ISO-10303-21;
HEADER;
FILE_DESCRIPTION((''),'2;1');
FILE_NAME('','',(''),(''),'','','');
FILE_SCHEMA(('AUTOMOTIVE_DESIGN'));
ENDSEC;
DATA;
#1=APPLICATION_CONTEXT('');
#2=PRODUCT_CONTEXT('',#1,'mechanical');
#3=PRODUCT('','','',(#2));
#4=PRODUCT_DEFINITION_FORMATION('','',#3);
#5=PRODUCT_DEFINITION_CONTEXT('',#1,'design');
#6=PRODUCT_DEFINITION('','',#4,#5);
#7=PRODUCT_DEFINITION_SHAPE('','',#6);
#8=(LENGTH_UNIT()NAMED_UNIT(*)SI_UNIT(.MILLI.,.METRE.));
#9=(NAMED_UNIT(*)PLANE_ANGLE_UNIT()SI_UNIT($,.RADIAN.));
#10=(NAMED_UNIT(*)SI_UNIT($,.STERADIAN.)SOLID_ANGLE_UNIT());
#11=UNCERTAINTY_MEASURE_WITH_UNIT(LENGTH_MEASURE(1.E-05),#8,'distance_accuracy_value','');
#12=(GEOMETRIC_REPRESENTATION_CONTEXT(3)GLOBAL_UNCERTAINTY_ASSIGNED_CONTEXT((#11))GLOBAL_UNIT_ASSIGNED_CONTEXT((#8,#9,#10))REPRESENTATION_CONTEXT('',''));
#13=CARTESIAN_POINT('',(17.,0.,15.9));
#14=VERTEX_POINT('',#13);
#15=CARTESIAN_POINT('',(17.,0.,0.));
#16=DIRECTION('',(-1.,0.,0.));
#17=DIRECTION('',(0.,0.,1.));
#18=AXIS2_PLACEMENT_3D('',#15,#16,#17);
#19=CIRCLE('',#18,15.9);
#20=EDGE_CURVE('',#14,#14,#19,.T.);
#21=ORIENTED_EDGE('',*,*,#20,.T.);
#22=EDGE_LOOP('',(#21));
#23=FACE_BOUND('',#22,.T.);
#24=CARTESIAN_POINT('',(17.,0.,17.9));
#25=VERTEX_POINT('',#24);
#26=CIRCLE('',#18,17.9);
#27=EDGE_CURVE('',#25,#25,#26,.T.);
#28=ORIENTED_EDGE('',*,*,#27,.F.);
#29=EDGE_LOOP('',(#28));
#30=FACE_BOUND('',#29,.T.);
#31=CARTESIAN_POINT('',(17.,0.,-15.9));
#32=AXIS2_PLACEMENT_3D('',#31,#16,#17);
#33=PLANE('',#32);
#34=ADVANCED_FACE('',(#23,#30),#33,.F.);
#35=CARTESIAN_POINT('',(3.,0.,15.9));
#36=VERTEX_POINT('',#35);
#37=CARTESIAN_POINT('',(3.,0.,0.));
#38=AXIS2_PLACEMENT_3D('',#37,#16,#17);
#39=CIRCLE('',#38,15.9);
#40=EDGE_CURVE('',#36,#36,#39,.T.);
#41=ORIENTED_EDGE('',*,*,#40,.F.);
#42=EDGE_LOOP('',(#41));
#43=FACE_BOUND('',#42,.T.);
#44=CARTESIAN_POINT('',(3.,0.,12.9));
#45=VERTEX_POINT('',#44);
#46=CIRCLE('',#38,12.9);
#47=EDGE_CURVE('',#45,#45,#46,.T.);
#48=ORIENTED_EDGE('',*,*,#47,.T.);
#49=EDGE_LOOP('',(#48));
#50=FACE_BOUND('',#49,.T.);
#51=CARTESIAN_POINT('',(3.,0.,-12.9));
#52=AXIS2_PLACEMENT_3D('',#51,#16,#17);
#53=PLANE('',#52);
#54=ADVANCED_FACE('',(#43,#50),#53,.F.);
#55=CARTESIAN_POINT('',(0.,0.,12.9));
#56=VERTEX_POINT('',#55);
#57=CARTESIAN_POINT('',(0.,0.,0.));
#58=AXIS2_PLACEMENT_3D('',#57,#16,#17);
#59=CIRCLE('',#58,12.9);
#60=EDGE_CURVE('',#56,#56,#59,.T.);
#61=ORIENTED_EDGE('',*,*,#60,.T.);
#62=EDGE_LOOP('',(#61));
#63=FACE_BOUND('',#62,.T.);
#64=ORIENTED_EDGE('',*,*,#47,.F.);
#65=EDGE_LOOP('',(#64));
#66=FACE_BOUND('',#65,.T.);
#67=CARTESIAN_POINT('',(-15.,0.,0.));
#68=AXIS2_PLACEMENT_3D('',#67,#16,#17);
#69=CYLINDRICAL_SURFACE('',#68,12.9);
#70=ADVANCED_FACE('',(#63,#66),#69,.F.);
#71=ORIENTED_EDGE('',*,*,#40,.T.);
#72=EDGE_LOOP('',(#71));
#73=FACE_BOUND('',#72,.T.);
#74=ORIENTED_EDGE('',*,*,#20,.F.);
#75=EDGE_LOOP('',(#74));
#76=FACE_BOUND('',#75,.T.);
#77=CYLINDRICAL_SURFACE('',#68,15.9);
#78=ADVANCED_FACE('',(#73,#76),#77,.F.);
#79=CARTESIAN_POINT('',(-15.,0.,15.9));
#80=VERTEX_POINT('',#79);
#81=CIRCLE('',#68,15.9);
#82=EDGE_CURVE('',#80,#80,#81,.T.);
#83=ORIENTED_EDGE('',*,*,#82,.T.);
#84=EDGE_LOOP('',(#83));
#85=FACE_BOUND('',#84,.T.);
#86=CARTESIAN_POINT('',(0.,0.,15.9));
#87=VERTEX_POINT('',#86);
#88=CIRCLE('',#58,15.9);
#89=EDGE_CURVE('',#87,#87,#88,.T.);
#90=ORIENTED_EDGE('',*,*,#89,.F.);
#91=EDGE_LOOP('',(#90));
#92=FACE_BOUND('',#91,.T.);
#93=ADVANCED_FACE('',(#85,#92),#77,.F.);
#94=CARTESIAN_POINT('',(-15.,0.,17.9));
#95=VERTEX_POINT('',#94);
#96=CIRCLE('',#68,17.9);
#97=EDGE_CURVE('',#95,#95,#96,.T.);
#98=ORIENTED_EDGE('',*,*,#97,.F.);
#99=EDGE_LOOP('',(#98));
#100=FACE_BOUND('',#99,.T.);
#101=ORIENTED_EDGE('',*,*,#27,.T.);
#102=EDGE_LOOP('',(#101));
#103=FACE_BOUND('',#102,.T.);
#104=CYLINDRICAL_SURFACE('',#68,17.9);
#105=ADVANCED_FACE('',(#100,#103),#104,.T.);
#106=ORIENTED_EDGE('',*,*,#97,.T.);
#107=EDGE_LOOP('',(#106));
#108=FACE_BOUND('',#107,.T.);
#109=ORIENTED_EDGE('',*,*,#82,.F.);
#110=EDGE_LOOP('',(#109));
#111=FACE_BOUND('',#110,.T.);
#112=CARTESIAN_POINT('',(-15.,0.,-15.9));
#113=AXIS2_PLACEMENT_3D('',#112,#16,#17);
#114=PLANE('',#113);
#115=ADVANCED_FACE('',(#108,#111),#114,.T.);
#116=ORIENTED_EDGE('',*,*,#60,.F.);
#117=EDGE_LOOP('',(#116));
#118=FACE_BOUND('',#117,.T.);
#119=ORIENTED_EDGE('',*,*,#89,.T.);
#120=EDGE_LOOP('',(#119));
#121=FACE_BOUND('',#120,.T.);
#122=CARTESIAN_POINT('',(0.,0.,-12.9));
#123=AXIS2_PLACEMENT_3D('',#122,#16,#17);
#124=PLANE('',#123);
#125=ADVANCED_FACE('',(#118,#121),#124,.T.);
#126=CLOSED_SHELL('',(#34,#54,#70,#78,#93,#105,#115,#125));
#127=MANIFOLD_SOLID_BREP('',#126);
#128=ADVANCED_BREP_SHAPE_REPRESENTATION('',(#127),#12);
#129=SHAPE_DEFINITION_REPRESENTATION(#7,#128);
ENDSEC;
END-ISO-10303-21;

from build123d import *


with BuildPart() as part:
    # Sketch1 → Revolve1 (revolve)
    with BuildSketch(Plane(origin=(0, 0, 0), x_dir=(1, 0, 0), z_dir=(0, 1, 0)), mode=Mode.PRIVATE) as revolve1_sk:
        Polygon((3, 15.9), (17, 15.9), (17, 17.9), (-15, 17.9), (-15, 15.9), (0, 15.9), (0, 12.9), (3, 12.9), align=None)
    revolve(revolve1_sk.sketch.rotate(Axis((-15, 0, 0), (1, 0, 0)), 180), axis=Axis((-15, 0, 0), (1, 0, 0)))


solid = part.part
